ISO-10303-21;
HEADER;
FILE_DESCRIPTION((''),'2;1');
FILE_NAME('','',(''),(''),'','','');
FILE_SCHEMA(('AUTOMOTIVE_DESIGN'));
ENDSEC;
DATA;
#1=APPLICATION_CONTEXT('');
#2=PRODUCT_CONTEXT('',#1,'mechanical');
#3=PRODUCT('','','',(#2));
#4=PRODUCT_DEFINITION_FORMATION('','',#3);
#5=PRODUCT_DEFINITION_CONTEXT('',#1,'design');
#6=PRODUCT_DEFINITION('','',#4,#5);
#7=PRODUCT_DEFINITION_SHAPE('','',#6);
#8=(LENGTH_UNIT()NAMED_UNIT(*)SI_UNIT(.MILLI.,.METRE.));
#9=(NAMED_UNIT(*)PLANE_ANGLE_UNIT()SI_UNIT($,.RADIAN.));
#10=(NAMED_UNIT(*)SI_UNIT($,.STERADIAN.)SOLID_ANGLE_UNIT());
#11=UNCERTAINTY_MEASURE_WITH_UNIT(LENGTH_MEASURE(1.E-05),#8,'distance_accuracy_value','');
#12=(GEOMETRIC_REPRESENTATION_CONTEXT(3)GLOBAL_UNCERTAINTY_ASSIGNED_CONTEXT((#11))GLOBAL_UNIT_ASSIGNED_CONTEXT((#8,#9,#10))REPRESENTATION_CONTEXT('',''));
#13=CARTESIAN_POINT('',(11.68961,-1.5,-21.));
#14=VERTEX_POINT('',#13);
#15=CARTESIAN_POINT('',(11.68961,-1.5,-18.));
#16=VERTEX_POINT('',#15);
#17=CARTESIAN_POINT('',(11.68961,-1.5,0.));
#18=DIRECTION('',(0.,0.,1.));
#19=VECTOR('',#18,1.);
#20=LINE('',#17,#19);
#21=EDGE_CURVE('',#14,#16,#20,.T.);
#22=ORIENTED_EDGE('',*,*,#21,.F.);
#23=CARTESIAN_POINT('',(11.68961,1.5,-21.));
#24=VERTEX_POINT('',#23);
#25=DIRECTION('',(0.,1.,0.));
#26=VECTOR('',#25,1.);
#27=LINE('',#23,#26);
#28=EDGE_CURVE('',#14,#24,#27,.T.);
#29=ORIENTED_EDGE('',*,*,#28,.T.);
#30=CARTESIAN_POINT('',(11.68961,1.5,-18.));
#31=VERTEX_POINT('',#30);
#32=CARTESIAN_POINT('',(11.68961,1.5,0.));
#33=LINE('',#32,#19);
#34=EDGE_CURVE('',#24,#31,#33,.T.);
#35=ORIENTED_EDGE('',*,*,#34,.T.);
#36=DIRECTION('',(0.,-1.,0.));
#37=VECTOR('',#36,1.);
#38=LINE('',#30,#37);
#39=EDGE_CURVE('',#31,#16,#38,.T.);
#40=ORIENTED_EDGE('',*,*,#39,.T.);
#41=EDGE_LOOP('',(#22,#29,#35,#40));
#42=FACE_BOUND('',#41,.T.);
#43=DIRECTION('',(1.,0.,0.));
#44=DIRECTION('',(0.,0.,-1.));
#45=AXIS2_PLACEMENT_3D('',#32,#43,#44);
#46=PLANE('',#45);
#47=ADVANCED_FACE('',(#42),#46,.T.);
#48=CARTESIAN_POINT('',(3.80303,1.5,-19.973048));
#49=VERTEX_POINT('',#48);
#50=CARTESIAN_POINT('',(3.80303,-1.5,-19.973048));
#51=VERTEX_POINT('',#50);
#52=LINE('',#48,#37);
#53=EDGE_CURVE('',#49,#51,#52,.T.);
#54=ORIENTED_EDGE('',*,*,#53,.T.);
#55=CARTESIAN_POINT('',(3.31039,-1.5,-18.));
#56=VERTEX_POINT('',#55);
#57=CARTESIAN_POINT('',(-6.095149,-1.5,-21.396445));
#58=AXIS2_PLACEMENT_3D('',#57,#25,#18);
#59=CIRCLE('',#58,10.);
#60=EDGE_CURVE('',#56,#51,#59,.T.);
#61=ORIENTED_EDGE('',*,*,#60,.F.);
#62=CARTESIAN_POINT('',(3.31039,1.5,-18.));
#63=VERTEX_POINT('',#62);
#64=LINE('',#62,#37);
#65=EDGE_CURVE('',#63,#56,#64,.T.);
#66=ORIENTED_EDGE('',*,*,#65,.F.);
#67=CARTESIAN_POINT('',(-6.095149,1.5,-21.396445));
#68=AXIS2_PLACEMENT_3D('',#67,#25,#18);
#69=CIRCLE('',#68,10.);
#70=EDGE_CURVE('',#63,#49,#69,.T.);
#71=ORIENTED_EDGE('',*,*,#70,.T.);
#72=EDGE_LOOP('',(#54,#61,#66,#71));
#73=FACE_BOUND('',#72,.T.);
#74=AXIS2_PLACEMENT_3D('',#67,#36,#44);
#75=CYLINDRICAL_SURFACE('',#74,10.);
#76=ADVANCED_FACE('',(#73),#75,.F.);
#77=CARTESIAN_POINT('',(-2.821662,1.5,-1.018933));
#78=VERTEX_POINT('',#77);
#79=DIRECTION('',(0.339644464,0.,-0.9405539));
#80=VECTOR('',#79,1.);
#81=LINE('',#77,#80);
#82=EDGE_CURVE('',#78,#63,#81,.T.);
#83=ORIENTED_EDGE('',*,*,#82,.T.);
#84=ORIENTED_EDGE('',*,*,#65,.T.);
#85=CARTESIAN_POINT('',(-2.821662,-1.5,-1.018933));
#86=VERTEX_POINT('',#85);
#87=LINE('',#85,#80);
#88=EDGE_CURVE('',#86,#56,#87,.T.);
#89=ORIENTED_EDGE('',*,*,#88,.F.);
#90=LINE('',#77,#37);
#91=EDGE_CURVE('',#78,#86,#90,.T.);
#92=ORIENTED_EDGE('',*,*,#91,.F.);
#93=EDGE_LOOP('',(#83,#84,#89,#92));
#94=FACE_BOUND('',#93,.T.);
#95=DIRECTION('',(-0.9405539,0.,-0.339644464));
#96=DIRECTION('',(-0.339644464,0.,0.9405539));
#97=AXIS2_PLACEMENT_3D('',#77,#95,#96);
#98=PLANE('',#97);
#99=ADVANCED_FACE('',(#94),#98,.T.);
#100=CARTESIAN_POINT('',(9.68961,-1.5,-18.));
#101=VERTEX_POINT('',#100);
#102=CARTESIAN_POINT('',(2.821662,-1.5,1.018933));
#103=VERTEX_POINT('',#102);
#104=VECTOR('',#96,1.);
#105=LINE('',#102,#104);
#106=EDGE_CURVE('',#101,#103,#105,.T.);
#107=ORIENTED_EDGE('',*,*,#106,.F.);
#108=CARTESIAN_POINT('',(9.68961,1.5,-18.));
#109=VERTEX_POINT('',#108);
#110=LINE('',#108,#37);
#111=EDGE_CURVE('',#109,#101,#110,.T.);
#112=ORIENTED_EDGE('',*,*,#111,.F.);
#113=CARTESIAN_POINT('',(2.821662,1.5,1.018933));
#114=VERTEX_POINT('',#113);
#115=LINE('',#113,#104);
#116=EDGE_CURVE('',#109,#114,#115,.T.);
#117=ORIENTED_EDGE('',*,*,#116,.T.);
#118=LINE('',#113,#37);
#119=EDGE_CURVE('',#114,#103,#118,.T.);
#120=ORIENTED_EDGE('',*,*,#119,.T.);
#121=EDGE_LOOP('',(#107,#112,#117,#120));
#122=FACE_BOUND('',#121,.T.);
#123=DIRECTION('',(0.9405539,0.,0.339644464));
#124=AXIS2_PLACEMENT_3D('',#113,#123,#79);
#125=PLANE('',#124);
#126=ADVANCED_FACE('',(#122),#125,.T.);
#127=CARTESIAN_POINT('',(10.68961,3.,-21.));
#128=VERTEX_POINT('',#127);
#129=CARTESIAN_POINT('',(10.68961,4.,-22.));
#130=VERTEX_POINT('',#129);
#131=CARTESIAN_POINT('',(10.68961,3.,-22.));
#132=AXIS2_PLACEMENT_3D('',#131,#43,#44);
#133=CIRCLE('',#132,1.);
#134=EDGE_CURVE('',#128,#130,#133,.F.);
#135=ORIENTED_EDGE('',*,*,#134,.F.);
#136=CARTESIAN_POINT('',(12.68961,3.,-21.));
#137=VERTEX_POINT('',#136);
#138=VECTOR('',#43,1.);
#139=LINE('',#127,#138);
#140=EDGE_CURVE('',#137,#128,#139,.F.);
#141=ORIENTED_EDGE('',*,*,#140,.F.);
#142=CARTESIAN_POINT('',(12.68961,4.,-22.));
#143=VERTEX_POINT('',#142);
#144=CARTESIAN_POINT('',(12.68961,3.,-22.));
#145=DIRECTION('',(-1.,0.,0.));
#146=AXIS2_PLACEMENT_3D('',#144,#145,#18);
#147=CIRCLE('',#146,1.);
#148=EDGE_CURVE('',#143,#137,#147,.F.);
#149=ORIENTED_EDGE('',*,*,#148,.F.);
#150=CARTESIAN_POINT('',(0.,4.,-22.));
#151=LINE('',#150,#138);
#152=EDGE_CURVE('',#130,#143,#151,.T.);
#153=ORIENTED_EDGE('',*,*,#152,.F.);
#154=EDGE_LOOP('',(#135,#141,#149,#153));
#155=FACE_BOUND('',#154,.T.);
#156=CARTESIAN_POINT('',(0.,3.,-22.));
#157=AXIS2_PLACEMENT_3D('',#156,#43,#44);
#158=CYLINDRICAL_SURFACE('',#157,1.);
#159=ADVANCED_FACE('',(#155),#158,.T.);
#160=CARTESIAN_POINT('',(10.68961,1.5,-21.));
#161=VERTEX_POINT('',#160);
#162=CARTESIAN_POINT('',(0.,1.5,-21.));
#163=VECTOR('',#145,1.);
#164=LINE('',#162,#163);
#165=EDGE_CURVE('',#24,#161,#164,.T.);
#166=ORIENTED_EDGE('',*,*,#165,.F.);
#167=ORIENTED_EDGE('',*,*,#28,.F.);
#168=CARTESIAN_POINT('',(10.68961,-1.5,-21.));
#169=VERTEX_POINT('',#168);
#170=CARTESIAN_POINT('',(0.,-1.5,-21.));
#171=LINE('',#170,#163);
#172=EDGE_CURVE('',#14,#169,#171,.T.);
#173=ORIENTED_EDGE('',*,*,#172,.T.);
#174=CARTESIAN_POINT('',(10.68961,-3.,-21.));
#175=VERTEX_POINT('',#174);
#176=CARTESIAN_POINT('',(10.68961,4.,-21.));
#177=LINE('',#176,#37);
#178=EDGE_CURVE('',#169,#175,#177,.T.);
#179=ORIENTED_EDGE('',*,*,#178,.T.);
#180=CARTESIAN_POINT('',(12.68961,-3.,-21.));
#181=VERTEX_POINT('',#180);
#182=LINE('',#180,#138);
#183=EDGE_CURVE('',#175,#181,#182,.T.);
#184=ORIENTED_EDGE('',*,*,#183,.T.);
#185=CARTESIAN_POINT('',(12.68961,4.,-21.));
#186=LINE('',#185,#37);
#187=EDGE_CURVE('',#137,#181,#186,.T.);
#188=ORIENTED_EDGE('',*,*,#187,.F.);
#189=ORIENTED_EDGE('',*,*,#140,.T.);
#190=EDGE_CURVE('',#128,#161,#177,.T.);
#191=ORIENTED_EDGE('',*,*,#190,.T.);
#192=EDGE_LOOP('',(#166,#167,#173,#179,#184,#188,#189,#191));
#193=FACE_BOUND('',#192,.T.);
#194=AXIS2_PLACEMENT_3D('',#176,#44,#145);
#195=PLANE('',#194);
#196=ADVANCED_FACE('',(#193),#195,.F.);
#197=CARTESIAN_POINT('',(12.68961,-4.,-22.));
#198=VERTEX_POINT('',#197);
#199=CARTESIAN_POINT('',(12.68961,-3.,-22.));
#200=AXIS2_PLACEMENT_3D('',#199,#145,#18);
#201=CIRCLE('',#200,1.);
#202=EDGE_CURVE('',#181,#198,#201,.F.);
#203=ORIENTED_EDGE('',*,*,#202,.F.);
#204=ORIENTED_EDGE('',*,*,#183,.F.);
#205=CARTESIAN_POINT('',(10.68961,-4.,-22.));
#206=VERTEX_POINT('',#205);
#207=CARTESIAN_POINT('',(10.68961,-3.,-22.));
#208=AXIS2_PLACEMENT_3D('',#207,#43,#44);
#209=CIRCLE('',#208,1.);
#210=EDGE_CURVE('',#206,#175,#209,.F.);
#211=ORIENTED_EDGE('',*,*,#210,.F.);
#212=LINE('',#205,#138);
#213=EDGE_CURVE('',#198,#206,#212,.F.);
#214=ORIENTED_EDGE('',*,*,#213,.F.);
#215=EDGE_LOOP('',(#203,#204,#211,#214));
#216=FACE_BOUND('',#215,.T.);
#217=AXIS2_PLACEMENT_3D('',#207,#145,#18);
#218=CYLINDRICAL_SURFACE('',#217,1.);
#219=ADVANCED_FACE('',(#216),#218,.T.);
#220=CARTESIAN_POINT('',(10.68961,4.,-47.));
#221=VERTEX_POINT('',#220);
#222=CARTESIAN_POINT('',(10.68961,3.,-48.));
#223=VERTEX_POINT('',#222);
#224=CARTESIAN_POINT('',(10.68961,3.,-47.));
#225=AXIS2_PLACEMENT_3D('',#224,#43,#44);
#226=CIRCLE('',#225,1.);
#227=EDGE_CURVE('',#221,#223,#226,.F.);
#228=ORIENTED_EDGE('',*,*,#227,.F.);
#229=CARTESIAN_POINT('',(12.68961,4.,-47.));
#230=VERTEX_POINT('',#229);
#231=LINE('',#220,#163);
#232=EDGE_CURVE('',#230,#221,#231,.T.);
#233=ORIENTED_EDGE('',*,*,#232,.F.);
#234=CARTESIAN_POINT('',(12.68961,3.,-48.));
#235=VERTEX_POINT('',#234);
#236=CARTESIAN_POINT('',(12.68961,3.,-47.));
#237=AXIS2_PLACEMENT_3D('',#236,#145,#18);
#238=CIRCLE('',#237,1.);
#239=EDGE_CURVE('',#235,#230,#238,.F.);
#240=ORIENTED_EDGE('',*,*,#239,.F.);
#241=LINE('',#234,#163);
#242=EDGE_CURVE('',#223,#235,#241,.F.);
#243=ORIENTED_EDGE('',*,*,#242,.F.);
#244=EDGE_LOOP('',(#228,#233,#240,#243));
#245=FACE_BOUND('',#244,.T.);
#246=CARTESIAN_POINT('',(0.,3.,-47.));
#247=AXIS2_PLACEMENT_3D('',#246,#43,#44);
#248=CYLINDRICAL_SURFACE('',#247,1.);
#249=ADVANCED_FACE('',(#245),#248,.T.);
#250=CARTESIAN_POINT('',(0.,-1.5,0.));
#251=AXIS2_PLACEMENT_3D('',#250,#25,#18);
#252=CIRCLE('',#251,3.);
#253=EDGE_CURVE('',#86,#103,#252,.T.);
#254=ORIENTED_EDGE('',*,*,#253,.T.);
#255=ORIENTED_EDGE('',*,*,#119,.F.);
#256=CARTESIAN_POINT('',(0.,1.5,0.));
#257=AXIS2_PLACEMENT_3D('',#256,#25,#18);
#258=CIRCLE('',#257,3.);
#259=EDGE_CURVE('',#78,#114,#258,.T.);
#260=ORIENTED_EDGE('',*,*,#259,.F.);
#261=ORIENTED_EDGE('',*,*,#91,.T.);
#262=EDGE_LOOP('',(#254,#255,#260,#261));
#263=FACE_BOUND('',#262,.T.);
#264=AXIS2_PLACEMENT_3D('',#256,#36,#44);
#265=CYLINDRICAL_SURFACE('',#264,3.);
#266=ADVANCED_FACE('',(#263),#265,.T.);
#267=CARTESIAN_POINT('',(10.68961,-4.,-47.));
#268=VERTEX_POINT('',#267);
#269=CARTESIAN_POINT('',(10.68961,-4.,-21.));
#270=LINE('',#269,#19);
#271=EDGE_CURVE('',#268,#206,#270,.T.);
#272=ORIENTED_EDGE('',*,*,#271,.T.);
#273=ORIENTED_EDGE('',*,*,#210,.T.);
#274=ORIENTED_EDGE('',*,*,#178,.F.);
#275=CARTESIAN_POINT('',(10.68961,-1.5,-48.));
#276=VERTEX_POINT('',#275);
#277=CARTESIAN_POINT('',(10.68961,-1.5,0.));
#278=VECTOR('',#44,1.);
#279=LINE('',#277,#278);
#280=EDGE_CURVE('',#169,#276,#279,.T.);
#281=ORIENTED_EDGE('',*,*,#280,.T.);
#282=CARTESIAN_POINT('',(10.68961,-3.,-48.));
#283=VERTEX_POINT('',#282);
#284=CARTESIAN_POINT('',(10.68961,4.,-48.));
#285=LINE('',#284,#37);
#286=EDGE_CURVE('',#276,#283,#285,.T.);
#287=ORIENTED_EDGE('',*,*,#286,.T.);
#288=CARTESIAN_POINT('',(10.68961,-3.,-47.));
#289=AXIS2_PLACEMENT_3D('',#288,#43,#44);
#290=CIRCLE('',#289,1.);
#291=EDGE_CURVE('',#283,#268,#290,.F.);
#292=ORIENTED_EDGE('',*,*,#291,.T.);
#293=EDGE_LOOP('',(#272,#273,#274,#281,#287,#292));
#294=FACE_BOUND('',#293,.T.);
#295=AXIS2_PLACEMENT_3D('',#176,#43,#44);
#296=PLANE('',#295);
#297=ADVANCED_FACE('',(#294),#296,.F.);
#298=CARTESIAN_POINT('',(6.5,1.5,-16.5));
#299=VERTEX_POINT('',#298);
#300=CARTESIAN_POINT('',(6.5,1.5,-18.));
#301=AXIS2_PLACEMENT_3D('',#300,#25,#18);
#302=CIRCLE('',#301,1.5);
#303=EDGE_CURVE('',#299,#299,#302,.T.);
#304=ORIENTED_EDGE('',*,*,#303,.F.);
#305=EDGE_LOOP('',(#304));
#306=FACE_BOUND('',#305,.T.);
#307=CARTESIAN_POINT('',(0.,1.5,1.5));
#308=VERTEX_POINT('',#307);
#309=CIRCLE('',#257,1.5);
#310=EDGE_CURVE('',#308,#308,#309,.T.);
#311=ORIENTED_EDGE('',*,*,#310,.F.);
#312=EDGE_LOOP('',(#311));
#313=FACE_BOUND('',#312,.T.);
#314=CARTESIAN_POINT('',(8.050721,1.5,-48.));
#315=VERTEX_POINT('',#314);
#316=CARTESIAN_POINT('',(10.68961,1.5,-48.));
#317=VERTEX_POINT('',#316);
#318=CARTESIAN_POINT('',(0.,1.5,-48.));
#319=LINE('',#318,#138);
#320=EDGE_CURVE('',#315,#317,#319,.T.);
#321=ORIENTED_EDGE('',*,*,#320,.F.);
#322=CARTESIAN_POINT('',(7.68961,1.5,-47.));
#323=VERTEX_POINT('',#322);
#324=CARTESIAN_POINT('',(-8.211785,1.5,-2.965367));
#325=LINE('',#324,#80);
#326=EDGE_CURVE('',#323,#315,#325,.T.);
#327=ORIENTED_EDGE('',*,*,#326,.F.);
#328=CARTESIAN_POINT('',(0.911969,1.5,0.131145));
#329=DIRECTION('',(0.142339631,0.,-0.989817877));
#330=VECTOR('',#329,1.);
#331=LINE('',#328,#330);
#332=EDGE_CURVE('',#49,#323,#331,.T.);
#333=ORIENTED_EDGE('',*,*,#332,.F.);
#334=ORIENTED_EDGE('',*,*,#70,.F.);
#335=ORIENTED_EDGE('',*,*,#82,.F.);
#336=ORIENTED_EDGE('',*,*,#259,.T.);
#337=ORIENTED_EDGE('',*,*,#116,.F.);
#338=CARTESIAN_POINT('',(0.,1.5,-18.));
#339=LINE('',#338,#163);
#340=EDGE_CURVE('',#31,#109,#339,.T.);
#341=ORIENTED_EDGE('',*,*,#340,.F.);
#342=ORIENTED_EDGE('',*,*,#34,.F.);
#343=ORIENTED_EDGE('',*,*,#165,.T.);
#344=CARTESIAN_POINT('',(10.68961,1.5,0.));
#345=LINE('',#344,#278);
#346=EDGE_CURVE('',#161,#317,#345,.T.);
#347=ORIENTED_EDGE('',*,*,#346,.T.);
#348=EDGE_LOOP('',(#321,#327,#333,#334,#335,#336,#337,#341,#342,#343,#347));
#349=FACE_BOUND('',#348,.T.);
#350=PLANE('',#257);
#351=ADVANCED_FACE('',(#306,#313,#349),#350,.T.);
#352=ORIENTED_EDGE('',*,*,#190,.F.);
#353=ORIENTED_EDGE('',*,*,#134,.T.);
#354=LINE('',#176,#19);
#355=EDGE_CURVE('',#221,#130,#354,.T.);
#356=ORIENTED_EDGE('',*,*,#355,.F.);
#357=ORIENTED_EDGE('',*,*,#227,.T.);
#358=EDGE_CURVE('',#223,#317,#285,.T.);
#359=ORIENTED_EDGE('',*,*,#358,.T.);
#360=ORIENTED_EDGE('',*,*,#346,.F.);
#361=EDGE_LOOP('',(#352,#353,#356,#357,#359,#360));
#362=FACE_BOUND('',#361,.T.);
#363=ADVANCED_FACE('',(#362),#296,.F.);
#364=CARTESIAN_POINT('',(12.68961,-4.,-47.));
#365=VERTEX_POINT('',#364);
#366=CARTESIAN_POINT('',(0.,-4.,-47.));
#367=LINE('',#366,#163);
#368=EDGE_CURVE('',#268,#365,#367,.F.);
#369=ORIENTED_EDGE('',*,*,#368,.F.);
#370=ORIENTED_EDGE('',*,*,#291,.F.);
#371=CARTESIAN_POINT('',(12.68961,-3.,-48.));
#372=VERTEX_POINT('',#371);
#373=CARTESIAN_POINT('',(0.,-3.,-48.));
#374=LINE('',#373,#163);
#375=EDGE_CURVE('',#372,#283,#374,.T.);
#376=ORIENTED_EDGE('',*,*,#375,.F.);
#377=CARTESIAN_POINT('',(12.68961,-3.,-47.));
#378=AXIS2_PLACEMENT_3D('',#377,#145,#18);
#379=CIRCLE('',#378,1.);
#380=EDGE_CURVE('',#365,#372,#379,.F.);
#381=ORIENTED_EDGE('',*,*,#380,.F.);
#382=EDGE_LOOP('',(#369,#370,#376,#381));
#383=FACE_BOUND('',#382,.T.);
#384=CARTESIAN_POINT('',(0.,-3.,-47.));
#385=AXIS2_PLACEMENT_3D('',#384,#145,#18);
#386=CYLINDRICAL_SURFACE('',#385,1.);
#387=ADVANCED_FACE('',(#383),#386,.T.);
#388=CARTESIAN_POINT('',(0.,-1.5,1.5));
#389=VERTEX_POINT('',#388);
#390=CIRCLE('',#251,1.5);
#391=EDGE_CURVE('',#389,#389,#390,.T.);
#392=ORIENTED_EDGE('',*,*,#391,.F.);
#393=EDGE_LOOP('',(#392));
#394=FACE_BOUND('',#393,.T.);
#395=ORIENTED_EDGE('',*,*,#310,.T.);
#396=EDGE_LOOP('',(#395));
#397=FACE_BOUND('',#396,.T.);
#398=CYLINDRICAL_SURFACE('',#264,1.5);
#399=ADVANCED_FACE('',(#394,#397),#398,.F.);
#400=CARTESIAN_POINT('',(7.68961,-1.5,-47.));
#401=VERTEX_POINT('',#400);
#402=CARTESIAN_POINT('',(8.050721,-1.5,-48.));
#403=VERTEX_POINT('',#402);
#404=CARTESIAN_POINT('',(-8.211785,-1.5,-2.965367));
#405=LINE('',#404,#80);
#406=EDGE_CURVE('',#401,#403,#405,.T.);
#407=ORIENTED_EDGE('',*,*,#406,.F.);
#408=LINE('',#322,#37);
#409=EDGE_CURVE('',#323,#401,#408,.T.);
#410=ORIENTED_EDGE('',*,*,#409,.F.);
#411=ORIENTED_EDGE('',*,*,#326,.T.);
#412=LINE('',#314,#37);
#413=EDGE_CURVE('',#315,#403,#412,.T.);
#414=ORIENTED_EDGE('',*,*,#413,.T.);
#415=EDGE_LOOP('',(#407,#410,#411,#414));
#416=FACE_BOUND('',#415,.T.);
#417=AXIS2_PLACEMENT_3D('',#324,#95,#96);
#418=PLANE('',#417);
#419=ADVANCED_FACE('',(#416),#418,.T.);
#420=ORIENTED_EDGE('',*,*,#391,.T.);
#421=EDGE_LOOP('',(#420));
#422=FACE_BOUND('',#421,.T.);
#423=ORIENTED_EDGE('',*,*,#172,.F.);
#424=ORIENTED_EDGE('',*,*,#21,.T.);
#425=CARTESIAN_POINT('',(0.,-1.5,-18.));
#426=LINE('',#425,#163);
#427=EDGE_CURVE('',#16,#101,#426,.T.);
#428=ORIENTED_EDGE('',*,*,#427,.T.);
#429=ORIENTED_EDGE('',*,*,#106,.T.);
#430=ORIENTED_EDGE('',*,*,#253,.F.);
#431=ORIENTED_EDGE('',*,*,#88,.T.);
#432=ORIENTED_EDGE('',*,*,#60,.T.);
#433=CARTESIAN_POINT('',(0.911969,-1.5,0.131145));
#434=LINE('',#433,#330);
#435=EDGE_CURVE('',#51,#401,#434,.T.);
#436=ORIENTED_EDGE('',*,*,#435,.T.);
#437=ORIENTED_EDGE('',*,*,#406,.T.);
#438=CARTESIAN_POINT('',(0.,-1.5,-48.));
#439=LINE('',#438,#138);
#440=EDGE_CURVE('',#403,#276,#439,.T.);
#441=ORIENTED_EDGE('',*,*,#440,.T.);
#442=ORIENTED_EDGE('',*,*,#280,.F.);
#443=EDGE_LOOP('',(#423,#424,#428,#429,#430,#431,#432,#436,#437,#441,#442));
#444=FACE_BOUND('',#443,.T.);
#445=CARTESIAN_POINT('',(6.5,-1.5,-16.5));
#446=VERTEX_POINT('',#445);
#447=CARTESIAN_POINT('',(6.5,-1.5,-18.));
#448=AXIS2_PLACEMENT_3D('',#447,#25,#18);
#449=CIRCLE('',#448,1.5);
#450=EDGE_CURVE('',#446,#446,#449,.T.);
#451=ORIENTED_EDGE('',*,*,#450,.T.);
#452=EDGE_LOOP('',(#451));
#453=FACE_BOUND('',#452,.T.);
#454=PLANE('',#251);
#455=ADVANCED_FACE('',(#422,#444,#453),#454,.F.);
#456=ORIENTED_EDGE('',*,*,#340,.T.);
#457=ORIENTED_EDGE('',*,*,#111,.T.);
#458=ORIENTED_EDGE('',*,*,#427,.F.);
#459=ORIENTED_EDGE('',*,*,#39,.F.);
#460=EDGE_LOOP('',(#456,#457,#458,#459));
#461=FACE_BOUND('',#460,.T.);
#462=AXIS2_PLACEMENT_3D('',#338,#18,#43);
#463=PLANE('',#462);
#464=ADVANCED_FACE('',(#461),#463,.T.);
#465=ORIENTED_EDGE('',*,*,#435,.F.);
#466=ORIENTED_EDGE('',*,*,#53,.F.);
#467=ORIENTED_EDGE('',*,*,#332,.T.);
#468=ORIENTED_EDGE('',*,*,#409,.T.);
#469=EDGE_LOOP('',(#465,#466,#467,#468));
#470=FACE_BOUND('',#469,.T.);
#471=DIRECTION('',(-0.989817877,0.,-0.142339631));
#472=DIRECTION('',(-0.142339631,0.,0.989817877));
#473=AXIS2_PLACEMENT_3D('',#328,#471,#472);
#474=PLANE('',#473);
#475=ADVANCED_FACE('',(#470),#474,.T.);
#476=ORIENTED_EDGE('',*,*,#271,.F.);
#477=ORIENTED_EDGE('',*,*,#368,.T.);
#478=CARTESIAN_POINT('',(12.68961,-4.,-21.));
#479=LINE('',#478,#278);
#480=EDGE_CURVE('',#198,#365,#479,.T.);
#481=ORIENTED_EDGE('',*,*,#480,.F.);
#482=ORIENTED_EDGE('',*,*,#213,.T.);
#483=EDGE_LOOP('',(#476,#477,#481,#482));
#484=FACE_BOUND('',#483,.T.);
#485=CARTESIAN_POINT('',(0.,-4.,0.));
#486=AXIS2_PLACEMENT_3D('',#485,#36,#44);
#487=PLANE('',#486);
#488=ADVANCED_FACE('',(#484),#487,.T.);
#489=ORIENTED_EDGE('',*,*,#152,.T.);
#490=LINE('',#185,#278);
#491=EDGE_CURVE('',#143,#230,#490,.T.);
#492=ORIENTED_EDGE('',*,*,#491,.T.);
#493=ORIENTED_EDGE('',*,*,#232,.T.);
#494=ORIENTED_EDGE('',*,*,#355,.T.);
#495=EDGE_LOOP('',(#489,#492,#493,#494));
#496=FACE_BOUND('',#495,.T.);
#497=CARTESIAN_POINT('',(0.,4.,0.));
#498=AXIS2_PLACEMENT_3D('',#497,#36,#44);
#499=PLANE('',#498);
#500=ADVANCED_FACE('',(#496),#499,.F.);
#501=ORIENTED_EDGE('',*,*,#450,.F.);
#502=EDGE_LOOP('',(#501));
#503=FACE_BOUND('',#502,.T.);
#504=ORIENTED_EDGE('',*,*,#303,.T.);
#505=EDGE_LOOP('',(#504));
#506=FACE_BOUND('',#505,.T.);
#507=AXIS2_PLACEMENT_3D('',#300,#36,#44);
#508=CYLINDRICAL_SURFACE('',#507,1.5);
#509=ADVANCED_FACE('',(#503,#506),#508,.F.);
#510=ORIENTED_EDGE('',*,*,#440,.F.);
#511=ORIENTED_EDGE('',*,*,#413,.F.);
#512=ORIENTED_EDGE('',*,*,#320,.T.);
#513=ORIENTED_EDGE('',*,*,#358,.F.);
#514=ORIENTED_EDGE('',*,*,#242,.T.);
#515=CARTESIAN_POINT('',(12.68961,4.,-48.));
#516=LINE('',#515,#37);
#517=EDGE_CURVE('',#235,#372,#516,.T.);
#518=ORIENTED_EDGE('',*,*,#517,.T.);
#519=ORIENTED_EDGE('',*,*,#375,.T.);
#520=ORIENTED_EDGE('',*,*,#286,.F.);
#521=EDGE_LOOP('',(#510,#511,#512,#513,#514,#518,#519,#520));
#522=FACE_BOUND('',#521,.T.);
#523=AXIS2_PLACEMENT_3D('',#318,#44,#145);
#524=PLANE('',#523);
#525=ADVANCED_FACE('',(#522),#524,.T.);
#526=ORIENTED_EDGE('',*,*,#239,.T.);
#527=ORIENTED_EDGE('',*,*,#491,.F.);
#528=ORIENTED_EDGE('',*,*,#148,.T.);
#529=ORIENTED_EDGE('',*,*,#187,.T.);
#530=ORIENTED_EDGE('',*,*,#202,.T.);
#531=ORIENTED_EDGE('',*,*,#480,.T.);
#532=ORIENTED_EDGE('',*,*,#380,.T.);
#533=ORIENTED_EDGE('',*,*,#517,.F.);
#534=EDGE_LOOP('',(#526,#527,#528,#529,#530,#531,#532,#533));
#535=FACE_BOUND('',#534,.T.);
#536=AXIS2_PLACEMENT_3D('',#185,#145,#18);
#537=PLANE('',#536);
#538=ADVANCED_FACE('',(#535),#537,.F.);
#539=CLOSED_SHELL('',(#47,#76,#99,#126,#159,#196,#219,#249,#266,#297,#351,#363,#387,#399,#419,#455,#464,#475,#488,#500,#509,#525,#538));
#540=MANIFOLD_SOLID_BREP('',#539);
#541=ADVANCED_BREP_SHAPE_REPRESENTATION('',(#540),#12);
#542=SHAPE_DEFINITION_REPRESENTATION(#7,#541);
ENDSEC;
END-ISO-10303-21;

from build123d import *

# Parameters (mm, degrees)
SKETCH1_R           = 1.5
BOSS_EXTRUDE1_DEPTH = 1.5
SKETCH3_W           = 2
SKETCH3_H           = 27
BOSS_EXTRUDE2_DEPTH = 4
FILLET1_R           = 1


with BuildPart() as part:
    # Sketch1 → Boss-Extrude1 (new, symmetric)
    with BuildSketch(Plane(origin=(0, 0, 0), x_dir=(1, 0, 0), z_dir=(0, 1, 0))):
        with BuildLine():
            Line((-2.821661699, 1.018933391), (3.310390132, 18))
            ThreePointArc((3.310390132, 18), (3.606995734, 18.973968595), (3.803029904, 19.973048328))
            Line((3.803029904, 19.973048328), (7.689609868, 47))
            Line((7.689609868, 47), (8.050720979, 48))
            Line((8.050720979, 48), (11.689609868, 48))
            Line((11.689609868, 48), (11.689609868, 18))
            Line((11.689609868, 18), (9.689609868, 18))
            Line((9.689609868, 18), (2.821661699, -1.018933391))
            ThreePointArc((2.821661699, -1.018933391), (-1.018933391, -2.821661699), (-2.821661699, 1.018933391))
        make_face()
        with Locations(Location((6.5, 18, 0), (0, 0, 270))):
            Circle(SKETCH1_R, mode=Mode.SUBTRACT)
        with Locations(Location((0, 0, 0), (0, 0, 270))):
            Circle(SKETCH1_R, mode=Mode.SUBTRACT)
    extrude(amount=BOSS_EXTRUDE1_DEPTH, both=True)

    # Sketch3 → Boss-Extrude2 (add, symmetric)
    with BuildSketch(Plane(origin=(0, 0, 0), x_dir=(1, 0, 0), z_dir=(0, 1, 0))):
        with Locations((11.689609868, 34.5)):
            Rectangle(SKETCH3_W, SKETCH3_H)
    extrude(amount=BOSS_EXTRUDE2_DEPTH, both=True)

    # Fillet1
    fillet1_edges = [part.edges().sort_by_distance(p)[0] for p in [
        (11.689609868, -4, -48),
        (11.689609868, -4, -21),
        (11.689609868, 4, -48),
        (11.689609868, 4, -21),
    ]]
    fillet(fillet1_edges, radius=FILLET1_R)


solid = part.part
